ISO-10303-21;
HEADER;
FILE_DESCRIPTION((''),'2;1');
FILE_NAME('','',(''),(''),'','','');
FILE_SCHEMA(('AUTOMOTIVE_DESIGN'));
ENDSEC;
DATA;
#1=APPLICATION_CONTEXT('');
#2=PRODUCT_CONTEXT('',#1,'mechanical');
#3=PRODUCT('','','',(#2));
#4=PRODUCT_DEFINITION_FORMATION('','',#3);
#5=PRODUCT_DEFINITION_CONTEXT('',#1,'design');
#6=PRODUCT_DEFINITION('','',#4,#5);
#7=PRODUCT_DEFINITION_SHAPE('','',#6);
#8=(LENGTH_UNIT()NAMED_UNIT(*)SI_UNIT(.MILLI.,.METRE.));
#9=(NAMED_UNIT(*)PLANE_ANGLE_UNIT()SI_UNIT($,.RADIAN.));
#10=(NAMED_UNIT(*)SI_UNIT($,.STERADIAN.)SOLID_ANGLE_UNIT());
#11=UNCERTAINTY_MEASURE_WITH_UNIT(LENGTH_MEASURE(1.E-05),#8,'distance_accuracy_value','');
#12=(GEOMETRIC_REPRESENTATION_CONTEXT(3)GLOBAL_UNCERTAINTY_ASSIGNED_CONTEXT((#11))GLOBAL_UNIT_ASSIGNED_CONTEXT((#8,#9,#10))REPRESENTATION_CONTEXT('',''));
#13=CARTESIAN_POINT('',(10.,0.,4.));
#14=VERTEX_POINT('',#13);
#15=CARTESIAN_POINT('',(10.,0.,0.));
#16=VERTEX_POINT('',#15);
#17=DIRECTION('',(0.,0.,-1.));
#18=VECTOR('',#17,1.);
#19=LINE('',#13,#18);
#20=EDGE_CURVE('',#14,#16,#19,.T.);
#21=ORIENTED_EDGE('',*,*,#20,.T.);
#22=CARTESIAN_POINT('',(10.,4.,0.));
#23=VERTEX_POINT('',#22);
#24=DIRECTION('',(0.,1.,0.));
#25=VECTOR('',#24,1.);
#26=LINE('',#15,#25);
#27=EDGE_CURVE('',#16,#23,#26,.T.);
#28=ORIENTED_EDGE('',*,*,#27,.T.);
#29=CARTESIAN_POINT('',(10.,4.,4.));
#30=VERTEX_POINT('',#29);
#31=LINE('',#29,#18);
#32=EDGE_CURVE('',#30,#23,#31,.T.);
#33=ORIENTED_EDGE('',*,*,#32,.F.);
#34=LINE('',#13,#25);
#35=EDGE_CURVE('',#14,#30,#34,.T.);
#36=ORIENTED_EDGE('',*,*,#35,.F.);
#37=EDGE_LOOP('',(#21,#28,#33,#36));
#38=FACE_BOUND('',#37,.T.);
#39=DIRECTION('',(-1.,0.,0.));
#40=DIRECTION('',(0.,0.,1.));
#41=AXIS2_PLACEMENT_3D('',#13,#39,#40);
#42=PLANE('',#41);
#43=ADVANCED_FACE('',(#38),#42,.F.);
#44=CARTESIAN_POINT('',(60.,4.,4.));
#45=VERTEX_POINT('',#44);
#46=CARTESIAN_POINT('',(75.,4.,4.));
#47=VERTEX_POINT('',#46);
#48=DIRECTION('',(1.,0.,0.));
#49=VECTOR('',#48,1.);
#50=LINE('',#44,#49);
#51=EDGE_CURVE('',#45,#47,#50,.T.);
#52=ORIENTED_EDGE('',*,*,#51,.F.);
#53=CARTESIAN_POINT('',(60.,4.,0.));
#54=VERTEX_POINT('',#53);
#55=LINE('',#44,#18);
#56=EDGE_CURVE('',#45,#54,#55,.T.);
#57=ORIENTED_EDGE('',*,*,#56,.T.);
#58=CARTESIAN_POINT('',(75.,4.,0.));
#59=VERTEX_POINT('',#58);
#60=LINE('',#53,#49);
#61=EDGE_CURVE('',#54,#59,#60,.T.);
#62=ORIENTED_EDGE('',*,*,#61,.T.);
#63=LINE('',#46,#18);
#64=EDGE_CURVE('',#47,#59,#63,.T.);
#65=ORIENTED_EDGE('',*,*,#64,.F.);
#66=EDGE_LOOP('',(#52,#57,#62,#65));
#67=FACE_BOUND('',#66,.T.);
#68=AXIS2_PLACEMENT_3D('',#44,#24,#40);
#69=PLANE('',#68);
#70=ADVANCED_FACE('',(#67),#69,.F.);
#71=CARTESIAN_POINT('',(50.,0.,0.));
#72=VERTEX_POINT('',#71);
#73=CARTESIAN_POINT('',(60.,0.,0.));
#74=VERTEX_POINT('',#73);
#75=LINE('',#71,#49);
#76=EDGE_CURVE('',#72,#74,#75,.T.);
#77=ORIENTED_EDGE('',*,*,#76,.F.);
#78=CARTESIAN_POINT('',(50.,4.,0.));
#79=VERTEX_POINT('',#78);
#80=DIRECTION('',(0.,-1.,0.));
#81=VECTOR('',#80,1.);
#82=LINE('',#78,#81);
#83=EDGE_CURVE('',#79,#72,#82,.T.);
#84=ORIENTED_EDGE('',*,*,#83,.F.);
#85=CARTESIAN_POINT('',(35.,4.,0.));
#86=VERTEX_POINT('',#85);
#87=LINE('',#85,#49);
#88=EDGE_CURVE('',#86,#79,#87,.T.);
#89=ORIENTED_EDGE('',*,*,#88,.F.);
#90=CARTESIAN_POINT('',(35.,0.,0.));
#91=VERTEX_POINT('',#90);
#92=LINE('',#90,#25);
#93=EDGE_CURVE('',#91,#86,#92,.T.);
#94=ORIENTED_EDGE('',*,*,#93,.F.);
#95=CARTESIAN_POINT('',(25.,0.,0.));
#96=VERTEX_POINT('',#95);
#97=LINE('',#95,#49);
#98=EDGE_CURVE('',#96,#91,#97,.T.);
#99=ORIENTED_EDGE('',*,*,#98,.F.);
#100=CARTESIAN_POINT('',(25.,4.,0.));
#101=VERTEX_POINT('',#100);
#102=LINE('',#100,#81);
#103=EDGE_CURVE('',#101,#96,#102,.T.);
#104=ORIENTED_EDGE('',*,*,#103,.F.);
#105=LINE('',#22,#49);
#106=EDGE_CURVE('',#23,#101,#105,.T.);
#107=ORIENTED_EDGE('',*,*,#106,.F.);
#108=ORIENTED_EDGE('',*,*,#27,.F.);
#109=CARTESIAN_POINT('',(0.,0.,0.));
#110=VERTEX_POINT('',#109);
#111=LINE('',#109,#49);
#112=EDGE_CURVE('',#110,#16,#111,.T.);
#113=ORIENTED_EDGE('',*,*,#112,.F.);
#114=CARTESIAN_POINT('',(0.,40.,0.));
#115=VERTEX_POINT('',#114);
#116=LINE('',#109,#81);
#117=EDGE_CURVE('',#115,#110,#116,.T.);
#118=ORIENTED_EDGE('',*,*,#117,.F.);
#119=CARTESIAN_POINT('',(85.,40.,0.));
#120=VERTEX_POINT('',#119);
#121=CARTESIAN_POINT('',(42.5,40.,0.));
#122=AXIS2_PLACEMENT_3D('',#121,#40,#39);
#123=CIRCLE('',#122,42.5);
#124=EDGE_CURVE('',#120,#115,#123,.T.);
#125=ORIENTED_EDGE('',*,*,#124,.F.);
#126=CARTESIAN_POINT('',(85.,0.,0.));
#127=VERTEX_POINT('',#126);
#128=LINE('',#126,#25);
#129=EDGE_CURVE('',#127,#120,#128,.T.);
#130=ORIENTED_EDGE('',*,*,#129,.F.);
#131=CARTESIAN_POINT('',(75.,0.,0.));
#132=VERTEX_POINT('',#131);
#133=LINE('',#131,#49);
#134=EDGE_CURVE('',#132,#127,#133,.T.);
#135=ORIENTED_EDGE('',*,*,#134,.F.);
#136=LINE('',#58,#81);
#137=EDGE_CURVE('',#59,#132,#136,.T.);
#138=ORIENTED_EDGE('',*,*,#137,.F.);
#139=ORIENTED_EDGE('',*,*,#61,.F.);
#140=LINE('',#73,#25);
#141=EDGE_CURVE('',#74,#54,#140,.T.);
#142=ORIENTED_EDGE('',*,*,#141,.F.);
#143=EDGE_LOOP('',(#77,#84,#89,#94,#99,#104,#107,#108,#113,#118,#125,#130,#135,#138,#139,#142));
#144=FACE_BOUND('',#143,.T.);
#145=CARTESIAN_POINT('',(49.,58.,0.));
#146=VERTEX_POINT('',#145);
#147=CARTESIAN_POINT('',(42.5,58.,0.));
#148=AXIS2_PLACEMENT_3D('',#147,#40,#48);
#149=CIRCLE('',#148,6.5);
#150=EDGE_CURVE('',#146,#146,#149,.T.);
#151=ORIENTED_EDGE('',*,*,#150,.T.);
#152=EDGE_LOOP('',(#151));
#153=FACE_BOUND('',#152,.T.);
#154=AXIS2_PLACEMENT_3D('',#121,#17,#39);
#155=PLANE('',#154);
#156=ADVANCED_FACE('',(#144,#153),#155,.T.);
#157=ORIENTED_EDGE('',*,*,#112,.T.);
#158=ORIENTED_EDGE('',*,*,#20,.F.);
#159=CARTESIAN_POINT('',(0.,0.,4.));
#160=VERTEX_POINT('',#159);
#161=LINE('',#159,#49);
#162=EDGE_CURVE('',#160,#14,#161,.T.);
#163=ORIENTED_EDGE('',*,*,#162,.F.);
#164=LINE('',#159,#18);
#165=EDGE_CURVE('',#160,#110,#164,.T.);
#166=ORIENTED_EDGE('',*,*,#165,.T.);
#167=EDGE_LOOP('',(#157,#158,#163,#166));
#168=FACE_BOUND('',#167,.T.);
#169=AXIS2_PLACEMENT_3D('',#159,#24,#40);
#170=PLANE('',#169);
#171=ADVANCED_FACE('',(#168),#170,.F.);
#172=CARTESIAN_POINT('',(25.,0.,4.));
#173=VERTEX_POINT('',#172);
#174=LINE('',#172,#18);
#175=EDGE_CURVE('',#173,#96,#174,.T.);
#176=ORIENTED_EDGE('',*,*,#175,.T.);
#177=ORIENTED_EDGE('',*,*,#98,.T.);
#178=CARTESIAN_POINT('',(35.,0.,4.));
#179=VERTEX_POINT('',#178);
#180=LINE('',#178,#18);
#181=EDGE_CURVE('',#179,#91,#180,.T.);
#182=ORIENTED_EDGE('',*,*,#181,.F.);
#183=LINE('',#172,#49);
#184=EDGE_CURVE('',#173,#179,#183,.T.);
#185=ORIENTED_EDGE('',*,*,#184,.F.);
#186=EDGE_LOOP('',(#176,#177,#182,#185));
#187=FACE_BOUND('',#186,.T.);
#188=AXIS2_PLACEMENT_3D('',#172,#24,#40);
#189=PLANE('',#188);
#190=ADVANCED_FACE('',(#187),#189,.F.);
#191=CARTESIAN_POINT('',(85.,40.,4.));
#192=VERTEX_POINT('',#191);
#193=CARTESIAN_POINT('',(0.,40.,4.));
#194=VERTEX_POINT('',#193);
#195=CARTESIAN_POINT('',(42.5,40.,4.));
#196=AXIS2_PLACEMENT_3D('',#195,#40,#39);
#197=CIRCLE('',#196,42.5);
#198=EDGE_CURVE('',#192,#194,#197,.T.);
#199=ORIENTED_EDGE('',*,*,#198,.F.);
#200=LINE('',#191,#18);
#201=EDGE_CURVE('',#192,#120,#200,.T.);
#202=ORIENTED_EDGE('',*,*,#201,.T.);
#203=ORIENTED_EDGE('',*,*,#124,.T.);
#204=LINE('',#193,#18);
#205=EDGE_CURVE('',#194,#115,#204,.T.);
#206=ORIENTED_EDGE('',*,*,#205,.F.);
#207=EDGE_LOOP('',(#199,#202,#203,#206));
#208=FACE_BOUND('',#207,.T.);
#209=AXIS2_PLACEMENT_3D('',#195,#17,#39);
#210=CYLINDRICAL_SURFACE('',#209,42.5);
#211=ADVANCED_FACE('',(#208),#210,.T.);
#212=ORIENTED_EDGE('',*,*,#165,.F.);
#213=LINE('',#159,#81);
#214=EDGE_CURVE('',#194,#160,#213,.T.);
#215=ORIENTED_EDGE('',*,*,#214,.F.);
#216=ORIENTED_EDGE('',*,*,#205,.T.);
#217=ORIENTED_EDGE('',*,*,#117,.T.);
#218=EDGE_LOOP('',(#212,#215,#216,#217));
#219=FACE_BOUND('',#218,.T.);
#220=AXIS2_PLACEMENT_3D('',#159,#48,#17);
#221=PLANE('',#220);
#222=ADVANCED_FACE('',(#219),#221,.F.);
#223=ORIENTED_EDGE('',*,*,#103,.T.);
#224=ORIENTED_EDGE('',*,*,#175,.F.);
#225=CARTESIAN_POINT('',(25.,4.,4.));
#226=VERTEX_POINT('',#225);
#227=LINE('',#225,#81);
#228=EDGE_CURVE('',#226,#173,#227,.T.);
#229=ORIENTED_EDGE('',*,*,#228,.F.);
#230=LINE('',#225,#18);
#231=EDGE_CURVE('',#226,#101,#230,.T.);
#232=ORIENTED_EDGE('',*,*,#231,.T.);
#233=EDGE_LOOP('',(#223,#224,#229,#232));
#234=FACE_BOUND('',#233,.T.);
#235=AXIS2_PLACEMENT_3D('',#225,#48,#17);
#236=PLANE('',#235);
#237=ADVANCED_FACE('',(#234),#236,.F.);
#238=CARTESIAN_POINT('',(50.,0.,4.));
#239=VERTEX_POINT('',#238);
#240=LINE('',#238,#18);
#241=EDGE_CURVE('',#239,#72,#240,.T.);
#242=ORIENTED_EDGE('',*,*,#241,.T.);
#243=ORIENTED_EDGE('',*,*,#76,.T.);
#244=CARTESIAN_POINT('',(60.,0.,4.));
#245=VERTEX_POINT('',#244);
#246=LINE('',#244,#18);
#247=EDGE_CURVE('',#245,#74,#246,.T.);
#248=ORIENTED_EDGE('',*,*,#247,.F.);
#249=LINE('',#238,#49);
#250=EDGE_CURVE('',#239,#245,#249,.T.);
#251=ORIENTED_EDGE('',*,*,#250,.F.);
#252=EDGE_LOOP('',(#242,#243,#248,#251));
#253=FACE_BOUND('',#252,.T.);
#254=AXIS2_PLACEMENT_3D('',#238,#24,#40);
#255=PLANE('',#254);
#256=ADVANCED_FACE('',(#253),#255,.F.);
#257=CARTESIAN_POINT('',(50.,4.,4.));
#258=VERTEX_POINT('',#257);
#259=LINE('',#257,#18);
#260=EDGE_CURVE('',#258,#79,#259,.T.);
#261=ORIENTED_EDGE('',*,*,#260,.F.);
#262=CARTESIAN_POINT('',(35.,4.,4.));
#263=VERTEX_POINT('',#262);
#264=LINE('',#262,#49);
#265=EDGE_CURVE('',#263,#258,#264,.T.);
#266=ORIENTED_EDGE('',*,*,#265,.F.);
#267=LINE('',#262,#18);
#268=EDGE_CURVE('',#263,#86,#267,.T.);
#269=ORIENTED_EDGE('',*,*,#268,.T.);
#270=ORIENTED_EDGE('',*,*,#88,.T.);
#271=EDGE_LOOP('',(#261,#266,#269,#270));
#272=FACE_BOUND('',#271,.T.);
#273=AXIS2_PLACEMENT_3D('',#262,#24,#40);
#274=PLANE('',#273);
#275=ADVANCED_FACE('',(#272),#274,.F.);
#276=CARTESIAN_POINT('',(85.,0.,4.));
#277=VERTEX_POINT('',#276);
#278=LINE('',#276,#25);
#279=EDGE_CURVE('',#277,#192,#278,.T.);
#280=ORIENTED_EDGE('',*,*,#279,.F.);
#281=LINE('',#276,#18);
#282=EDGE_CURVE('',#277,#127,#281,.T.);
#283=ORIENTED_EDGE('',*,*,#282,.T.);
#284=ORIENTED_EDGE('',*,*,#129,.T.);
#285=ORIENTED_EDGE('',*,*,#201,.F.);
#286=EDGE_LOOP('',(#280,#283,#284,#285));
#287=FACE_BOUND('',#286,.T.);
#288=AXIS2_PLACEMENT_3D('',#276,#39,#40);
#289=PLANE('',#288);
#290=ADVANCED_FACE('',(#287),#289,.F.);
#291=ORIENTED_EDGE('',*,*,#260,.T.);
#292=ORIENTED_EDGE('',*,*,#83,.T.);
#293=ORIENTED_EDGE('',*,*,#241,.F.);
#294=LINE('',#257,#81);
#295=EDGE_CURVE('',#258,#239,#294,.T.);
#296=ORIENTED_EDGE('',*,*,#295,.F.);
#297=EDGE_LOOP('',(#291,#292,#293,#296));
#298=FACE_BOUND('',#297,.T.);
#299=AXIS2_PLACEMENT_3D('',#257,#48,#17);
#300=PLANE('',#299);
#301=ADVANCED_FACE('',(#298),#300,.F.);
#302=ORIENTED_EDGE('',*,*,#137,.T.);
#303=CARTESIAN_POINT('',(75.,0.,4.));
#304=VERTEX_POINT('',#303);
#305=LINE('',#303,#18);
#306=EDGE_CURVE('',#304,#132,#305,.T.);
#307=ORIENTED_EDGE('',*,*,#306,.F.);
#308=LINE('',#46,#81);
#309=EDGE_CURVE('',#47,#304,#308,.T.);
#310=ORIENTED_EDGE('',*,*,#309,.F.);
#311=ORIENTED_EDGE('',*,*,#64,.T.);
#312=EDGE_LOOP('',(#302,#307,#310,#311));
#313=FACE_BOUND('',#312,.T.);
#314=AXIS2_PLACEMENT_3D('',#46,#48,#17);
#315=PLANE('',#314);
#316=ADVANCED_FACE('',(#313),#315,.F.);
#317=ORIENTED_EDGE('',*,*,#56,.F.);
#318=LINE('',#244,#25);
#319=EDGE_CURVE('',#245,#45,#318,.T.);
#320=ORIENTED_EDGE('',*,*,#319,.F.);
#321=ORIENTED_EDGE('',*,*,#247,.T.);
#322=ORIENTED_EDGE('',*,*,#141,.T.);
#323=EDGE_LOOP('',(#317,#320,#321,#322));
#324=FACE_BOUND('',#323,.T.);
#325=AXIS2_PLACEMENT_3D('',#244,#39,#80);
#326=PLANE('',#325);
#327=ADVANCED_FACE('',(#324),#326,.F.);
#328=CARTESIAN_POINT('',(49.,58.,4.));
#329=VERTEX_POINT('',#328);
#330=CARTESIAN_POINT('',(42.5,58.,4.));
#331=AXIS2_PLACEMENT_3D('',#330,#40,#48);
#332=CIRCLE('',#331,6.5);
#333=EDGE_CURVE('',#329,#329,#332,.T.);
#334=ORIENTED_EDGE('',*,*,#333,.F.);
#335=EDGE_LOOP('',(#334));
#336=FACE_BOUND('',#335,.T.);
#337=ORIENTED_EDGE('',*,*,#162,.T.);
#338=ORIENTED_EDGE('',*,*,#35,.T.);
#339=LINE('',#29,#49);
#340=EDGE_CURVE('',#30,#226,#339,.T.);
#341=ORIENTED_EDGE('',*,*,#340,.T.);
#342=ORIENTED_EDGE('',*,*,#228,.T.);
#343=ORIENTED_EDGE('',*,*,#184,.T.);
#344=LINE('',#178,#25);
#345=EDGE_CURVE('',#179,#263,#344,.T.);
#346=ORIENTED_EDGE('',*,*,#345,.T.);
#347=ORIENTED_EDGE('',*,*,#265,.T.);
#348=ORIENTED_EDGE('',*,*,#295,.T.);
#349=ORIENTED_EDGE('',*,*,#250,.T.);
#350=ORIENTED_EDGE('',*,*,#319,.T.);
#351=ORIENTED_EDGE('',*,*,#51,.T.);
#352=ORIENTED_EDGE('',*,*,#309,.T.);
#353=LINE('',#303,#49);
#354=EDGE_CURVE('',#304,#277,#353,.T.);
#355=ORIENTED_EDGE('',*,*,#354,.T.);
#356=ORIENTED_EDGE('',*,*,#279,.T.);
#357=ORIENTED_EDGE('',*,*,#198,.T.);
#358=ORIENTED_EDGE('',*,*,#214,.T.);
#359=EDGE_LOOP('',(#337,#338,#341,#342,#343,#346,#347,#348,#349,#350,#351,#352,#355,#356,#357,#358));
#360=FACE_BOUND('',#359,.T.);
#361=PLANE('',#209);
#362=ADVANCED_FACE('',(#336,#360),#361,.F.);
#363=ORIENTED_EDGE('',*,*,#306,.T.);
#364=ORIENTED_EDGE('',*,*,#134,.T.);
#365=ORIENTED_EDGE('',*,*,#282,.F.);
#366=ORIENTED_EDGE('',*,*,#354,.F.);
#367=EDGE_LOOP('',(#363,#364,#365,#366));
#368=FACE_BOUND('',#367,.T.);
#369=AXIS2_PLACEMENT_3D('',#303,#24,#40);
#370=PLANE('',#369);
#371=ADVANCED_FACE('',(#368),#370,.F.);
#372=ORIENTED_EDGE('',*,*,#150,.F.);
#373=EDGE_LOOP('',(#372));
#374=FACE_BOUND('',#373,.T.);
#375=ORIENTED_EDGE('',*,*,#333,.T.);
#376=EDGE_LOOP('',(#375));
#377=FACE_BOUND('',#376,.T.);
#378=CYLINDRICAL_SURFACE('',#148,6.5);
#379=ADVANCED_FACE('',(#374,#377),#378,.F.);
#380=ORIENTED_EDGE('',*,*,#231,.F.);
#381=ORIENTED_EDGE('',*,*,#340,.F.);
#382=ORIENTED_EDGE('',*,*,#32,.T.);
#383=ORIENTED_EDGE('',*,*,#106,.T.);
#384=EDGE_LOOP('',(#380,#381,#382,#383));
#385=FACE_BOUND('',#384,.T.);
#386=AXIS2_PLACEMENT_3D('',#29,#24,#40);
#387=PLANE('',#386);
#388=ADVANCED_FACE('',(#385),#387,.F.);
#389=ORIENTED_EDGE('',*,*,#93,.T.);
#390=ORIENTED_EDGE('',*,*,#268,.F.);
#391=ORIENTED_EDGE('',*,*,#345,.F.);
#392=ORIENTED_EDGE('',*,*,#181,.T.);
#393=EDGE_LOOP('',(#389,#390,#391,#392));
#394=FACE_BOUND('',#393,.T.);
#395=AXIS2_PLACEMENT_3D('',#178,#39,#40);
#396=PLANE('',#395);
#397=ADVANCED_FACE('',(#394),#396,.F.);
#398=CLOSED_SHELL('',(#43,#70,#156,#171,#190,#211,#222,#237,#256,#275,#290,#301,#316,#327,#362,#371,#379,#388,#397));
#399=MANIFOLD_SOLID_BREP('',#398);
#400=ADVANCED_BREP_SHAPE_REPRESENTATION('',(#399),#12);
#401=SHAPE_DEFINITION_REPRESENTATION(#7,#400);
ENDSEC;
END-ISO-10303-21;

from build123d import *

# Parameters (mm, degrees)
SALIENTE_EXTRUIR1_DEPTH = 4
CROQUIS2_R              = 6.5
CORTAR_EXTRUIR1_DEPTH   = 4


with BuildPart() as part:
    # Croquis1 → Saliente-Extruir1 (new body)
    with BuildSketch(Plane.XY):
        with BuildLine():
            Line((0, 0), (10, 0))
            Line((10, 0), (10, 4))
            Line((10, 4), (25, 4))
            Line((25, 4), (25, 0))
            Line((25, 0), (35, 0))
            Line((35, 0), (35, 4))
            Line((35, 4), (50, 4))
            Line((50, 4), (50, 0))
            Line((50, 0), (60, 0))
            Line((60, 0), (60, 4))
            Line((60, 4), (75, 4))
            Line((75, 4), (75, 0))
            Line((75, 0), (85, 0))
            Line((85, 0), (85, 40))
            ThreePointArc((85, 40), (42.5, 82.5), (0, 40))
            Line((0, 40), (0, 0))
        make_face()
    extrude(amount=SALIENTE_EXTRUIR1_DEPTH)

    # Croquis2 → Cortar-Extruir1 (cut)
    with BuildSketch(Plane.XY.offset(4)):
        with Locations((42.5, 58)):
            Circle(CROQUIS2_R)
    extrude(amount=-CORTAR_EXTRUIR1_DEPTH, mode=Mode.SUBTRACT)


solid = part.part
